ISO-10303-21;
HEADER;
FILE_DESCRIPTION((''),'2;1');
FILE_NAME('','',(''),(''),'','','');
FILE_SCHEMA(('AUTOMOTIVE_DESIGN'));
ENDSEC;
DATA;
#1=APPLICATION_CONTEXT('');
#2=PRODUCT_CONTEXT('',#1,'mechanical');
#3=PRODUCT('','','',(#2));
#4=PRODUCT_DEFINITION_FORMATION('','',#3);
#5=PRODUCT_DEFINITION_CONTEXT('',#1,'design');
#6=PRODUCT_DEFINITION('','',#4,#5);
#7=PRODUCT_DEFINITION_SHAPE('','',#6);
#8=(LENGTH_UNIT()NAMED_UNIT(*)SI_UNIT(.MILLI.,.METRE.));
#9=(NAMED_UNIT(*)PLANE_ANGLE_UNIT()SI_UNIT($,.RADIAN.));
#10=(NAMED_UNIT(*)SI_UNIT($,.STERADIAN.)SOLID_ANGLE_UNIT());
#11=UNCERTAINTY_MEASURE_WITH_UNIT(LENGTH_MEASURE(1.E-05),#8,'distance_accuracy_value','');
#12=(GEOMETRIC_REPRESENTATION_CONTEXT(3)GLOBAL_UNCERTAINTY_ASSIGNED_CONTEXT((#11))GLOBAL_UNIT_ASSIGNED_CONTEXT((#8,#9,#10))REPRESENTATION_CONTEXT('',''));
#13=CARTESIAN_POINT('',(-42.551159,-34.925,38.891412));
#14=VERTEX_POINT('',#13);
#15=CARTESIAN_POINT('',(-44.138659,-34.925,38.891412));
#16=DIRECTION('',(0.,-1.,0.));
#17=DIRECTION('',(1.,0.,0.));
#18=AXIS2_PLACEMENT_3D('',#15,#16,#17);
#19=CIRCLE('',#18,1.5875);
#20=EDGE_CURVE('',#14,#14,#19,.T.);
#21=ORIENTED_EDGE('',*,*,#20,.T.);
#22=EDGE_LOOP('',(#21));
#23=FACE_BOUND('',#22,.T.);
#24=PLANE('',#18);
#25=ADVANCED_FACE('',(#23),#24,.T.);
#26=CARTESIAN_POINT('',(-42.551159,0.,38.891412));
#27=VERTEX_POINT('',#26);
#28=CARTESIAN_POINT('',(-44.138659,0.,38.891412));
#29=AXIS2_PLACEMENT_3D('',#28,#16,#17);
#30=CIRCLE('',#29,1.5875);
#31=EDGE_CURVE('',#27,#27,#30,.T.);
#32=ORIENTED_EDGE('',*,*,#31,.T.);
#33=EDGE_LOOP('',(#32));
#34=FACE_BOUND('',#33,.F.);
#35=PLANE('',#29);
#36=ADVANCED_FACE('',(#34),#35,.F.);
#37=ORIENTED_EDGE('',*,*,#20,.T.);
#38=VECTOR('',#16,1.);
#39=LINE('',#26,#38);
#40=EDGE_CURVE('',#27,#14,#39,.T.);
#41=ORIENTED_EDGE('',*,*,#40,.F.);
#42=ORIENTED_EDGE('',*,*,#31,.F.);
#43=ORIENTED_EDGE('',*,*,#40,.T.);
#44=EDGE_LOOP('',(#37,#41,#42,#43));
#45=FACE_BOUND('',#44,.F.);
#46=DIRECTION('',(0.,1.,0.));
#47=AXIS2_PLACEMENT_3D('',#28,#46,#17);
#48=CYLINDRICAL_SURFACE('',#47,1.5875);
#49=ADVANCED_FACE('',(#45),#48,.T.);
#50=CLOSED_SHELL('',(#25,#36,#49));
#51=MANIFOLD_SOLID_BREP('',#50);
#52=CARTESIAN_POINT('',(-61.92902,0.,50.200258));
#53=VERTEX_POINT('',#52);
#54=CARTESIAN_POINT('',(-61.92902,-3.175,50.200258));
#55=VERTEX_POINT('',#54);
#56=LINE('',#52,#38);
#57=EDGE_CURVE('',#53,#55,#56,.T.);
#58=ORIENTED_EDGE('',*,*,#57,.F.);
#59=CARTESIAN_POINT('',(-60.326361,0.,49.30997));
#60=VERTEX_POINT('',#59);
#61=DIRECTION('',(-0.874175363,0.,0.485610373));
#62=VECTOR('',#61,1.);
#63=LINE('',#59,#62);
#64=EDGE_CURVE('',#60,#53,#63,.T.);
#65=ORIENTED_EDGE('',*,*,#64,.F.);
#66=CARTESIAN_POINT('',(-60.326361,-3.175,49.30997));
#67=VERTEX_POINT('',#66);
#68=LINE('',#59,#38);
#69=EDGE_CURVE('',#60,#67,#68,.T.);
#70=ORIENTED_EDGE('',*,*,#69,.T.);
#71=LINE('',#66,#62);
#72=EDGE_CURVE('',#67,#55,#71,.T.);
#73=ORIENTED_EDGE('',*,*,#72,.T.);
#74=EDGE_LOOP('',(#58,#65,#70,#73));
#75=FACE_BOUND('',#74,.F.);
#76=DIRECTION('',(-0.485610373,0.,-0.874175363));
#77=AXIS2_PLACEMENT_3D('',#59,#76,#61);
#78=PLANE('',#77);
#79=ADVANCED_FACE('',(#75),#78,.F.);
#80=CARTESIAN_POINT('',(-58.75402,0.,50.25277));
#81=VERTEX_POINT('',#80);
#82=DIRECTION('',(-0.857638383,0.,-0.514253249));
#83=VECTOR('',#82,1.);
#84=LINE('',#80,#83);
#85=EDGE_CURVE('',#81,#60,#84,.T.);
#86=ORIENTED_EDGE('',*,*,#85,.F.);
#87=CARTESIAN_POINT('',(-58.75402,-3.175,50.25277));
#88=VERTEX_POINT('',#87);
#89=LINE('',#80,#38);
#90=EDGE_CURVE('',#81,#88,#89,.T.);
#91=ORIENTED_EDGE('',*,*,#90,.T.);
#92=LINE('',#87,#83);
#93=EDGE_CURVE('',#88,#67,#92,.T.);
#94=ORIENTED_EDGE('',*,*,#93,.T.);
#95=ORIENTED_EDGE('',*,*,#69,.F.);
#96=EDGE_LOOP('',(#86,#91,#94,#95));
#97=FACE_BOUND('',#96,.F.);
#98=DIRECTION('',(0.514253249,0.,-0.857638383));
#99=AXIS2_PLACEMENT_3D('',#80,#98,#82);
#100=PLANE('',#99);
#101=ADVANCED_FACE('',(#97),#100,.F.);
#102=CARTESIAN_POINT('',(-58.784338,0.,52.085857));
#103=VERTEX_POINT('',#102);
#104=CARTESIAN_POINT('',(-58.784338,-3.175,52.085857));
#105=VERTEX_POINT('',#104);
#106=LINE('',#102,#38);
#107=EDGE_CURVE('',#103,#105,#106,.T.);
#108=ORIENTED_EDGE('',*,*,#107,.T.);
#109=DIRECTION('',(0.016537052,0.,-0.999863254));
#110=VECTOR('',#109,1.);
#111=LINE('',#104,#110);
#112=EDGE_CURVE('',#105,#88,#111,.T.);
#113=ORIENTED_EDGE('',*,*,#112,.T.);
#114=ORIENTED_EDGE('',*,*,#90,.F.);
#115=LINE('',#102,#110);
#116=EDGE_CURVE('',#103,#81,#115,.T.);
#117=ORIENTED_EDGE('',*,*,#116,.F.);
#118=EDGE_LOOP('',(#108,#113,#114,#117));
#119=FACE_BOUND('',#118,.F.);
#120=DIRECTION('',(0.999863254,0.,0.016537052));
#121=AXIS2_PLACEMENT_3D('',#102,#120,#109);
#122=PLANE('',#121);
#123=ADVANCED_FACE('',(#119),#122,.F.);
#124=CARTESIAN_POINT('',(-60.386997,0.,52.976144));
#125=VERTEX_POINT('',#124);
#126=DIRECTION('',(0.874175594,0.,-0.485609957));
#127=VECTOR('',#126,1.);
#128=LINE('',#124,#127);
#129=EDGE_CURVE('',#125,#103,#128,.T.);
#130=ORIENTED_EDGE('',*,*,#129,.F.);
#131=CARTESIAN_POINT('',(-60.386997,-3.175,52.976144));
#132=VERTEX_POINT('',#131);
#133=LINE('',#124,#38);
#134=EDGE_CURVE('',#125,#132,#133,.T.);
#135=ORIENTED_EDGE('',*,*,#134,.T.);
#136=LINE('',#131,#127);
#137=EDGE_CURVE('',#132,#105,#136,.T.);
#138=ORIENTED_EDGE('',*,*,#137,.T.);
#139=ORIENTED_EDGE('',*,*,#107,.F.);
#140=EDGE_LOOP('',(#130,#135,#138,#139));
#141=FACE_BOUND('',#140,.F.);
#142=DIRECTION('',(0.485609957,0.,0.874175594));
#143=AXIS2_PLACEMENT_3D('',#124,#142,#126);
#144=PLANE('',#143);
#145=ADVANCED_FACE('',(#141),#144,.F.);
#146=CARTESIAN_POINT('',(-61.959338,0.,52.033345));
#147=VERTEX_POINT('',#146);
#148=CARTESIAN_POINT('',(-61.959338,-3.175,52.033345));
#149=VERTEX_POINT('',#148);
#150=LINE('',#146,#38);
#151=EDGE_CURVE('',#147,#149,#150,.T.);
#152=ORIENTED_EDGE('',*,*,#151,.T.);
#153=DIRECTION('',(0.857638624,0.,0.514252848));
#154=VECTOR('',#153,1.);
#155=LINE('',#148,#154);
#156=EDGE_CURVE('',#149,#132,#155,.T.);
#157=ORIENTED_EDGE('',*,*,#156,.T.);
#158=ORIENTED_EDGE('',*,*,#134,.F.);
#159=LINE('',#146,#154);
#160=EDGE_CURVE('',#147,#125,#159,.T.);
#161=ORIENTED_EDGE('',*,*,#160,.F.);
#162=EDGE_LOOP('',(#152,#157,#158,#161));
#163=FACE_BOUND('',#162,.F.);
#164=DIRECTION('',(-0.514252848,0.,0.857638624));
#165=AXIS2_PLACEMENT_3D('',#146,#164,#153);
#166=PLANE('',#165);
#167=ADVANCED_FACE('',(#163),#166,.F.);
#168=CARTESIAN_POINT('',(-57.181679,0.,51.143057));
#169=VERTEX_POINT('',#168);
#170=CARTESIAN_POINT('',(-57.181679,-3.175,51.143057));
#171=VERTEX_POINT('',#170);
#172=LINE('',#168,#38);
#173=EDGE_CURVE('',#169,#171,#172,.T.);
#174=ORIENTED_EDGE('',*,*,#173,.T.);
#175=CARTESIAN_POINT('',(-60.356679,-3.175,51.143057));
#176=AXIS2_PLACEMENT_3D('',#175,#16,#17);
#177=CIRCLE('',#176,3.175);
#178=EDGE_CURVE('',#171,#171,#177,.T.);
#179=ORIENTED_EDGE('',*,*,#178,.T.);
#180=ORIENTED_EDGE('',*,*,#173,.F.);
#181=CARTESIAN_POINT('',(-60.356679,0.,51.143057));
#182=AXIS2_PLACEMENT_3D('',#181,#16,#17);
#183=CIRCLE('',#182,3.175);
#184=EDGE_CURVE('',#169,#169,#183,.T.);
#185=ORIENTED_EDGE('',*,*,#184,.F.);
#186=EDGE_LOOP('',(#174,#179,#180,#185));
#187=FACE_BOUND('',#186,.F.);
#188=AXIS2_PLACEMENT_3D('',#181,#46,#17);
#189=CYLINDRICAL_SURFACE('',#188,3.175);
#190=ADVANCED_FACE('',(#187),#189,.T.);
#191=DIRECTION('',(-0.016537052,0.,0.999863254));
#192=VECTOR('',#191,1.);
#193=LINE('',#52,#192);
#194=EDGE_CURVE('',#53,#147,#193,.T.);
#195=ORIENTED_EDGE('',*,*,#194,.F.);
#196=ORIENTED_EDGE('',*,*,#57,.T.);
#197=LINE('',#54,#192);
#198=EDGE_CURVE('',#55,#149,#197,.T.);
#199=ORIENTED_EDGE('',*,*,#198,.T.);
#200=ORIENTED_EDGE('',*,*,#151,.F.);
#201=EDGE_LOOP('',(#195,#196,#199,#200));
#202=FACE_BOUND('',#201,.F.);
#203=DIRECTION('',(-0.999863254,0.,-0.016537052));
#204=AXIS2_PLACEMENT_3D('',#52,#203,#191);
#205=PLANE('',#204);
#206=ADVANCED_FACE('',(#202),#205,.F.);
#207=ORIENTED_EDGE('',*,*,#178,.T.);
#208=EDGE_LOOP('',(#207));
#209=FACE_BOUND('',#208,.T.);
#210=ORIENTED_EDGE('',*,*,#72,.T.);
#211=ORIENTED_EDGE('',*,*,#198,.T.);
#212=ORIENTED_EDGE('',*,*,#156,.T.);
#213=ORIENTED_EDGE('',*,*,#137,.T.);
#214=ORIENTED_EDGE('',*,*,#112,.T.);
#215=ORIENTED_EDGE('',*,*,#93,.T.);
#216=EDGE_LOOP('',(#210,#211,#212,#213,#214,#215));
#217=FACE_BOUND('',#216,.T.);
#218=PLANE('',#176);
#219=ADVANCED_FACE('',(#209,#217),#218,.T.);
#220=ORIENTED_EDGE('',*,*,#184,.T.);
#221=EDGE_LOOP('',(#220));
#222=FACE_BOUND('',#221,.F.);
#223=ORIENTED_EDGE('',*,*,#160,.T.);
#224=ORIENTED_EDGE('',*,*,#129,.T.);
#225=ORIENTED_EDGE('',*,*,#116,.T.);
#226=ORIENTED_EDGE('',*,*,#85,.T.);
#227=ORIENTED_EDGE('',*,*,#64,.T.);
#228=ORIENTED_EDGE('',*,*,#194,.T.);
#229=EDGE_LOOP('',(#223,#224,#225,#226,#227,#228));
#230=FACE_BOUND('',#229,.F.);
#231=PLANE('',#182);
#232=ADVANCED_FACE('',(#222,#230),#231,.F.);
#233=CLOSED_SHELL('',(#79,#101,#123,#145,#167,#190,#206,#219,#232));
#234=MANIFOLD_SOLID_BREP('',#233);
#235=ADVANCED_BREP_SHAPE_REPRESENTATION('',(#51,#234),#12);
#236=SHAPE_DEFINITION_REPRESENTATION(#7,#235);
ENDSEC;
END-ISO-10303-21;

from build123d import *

# Parameters (mm, degrees)
F0_R     = 3.175
F1_DEPTH = 3.175
F2_R     = 1.5875
F3_DEPTH = 34.925


with BuildPart() as f1:
    # F0 (on Front) → F1 (new body)
    with BuildSketch(Plane.XZ):
        with Locations((-60.356679, 51.143057)):
            Circle(F0_R)
        Polygon((-61.959338, 52.033345), (-60.386997, 52.976144), (-58.784338, 52.085857), (-58.75402, 50.25277), (-60.326361, 49.30997), (-61.92902, 50.200258), align=None, mode=Mode.SUBTRACT)
    extrude(amount=F1_DEPTH)


with BuildPart() as f3:
    # F2 (on Front) → F3 (new body)
    with BuildSketch(Plane.XZ):
        with Locations((-44.138659, 38.891412)):
            Circle(F2_R)
    extrude(amount=F3_DEPTH)


solid = Compound([f1.part, f3.part])
